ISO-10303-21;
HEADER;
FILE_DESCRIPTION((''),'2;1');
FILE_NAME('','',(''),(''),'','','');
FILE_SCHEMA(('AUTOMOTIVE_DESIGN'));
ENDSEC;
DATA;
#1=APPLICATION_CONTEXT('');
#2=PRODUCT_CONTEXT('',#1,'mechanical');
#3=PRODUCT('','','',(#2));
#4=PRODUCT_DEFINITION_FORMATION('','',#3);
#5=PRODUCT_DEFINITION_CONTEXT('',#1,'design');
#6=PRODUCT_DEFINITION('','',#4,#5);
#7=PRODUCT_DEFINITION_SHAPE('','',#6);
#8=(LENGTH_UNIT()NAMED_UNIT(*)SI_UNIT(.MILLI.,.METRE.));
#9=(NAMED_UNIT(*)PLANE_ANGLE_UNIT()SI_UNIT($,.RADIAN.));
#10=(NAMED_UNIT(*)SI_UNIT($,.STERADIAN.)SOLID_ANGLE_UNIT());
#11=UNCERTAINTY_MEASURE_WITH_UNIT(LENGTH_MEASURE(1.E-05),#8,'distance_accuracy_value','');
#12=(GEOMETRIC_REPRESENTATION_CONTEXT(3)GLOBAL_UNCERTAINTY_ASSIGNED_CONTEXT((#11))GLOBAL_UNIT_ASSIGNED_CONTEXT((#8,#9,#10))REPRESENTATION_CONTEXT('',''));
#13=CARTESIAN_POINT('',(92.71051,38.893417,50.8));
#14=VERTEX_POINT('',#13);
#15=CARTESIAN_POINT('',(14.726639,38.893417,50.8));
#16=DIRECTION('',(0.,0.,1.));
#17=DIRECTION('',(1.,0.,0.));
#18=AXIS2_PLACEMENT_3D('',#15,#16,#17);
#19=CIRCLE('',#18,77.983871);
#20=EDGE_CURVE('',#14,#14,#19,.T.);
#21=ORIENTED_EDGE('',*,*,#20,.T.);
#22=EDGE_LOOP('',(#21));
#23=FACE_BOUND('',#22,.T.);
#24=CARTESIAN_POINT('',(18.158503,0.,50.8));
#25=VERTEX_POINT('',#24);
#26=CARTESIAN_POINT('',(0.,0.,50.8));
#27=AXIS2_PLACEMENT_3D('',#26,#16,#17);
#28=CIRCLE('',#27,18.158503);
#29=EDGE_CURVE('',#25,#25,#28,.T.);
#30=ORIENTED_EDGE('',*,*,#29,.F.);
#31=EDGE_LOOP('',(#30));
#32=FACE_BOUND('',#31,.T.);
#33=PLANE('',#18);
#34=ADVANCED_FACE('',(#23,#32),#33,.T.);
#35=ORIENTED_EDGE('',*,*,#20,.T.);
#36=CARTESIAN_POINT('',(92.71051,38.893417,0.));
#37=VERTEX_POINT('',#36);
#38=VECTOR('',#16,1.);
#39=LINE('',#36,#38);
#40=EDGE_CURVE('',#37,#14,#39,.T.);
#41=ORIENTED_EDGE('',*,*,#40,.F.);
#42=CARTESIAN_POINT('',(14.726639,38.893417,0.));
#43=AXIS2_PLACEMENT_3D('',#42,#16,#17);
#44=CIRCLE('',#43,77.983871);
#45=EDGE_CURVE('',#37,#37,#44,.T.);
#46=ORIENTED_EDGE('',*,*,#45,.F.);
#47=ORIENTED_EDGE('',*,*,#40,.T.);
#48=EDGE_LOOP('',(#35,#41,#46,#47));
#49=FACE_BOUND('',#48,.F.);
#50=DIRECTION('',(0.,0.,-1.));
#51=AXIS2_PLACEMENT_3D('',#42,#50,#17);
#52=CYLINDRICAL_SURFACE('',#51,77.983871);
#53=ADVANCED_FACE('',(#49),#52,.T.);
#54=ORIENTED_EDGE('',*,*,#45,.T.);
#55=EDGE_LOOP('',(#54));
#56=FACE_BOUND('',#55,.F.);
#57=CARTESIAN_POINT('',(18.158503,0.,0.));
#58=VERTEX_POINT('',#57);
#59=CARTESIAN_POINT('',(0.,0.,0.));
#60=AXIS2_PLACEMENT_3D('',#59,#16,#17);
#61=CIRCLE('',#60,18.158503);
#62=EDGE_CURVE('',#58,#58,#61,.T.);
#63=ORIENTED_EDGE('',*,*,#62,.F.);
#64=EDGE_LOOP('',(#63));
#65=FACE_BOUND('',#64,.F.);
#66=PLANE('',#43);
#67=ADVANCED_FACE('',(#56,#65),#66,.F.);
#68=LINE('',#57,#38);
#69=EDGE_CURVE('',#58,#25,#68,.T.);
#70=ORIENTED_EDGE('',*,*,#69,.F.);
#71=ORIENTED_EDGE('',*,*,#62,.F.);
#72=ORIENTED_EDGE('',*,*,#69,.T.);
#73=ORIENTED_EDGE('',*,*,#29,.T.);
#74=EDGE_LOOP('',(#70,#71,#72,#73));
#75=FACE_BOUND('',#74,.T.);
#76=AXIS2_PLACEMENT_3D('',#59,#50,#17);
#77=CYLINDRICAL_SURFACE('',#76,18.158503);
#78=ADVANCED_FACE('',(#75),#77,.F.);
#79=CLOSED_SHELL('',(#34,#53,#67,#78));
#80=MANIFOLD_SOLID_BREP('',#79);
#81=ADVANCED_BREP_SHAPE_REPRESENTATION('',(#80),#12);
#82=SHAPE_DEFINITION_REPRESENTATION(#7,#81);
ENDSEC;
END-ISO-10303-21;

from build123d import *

# Parameters (mm, degrees)
F0_R     = 77.983871
F0_R_2   = 18.158503
F1_DEPTH = 50.8


with BuildPart() as f1:
    # F0 (on Top) → F1 (new body)
    with BuildSketch(Plane.XY):
        with Locations((14.726639, 38.893417)):
            Circle(F0_R)
        Circle(F0_R_2, mode=Mode.SUBTRACT)
    extrude(amount=F1_DEPTH)


solid = f1.part
